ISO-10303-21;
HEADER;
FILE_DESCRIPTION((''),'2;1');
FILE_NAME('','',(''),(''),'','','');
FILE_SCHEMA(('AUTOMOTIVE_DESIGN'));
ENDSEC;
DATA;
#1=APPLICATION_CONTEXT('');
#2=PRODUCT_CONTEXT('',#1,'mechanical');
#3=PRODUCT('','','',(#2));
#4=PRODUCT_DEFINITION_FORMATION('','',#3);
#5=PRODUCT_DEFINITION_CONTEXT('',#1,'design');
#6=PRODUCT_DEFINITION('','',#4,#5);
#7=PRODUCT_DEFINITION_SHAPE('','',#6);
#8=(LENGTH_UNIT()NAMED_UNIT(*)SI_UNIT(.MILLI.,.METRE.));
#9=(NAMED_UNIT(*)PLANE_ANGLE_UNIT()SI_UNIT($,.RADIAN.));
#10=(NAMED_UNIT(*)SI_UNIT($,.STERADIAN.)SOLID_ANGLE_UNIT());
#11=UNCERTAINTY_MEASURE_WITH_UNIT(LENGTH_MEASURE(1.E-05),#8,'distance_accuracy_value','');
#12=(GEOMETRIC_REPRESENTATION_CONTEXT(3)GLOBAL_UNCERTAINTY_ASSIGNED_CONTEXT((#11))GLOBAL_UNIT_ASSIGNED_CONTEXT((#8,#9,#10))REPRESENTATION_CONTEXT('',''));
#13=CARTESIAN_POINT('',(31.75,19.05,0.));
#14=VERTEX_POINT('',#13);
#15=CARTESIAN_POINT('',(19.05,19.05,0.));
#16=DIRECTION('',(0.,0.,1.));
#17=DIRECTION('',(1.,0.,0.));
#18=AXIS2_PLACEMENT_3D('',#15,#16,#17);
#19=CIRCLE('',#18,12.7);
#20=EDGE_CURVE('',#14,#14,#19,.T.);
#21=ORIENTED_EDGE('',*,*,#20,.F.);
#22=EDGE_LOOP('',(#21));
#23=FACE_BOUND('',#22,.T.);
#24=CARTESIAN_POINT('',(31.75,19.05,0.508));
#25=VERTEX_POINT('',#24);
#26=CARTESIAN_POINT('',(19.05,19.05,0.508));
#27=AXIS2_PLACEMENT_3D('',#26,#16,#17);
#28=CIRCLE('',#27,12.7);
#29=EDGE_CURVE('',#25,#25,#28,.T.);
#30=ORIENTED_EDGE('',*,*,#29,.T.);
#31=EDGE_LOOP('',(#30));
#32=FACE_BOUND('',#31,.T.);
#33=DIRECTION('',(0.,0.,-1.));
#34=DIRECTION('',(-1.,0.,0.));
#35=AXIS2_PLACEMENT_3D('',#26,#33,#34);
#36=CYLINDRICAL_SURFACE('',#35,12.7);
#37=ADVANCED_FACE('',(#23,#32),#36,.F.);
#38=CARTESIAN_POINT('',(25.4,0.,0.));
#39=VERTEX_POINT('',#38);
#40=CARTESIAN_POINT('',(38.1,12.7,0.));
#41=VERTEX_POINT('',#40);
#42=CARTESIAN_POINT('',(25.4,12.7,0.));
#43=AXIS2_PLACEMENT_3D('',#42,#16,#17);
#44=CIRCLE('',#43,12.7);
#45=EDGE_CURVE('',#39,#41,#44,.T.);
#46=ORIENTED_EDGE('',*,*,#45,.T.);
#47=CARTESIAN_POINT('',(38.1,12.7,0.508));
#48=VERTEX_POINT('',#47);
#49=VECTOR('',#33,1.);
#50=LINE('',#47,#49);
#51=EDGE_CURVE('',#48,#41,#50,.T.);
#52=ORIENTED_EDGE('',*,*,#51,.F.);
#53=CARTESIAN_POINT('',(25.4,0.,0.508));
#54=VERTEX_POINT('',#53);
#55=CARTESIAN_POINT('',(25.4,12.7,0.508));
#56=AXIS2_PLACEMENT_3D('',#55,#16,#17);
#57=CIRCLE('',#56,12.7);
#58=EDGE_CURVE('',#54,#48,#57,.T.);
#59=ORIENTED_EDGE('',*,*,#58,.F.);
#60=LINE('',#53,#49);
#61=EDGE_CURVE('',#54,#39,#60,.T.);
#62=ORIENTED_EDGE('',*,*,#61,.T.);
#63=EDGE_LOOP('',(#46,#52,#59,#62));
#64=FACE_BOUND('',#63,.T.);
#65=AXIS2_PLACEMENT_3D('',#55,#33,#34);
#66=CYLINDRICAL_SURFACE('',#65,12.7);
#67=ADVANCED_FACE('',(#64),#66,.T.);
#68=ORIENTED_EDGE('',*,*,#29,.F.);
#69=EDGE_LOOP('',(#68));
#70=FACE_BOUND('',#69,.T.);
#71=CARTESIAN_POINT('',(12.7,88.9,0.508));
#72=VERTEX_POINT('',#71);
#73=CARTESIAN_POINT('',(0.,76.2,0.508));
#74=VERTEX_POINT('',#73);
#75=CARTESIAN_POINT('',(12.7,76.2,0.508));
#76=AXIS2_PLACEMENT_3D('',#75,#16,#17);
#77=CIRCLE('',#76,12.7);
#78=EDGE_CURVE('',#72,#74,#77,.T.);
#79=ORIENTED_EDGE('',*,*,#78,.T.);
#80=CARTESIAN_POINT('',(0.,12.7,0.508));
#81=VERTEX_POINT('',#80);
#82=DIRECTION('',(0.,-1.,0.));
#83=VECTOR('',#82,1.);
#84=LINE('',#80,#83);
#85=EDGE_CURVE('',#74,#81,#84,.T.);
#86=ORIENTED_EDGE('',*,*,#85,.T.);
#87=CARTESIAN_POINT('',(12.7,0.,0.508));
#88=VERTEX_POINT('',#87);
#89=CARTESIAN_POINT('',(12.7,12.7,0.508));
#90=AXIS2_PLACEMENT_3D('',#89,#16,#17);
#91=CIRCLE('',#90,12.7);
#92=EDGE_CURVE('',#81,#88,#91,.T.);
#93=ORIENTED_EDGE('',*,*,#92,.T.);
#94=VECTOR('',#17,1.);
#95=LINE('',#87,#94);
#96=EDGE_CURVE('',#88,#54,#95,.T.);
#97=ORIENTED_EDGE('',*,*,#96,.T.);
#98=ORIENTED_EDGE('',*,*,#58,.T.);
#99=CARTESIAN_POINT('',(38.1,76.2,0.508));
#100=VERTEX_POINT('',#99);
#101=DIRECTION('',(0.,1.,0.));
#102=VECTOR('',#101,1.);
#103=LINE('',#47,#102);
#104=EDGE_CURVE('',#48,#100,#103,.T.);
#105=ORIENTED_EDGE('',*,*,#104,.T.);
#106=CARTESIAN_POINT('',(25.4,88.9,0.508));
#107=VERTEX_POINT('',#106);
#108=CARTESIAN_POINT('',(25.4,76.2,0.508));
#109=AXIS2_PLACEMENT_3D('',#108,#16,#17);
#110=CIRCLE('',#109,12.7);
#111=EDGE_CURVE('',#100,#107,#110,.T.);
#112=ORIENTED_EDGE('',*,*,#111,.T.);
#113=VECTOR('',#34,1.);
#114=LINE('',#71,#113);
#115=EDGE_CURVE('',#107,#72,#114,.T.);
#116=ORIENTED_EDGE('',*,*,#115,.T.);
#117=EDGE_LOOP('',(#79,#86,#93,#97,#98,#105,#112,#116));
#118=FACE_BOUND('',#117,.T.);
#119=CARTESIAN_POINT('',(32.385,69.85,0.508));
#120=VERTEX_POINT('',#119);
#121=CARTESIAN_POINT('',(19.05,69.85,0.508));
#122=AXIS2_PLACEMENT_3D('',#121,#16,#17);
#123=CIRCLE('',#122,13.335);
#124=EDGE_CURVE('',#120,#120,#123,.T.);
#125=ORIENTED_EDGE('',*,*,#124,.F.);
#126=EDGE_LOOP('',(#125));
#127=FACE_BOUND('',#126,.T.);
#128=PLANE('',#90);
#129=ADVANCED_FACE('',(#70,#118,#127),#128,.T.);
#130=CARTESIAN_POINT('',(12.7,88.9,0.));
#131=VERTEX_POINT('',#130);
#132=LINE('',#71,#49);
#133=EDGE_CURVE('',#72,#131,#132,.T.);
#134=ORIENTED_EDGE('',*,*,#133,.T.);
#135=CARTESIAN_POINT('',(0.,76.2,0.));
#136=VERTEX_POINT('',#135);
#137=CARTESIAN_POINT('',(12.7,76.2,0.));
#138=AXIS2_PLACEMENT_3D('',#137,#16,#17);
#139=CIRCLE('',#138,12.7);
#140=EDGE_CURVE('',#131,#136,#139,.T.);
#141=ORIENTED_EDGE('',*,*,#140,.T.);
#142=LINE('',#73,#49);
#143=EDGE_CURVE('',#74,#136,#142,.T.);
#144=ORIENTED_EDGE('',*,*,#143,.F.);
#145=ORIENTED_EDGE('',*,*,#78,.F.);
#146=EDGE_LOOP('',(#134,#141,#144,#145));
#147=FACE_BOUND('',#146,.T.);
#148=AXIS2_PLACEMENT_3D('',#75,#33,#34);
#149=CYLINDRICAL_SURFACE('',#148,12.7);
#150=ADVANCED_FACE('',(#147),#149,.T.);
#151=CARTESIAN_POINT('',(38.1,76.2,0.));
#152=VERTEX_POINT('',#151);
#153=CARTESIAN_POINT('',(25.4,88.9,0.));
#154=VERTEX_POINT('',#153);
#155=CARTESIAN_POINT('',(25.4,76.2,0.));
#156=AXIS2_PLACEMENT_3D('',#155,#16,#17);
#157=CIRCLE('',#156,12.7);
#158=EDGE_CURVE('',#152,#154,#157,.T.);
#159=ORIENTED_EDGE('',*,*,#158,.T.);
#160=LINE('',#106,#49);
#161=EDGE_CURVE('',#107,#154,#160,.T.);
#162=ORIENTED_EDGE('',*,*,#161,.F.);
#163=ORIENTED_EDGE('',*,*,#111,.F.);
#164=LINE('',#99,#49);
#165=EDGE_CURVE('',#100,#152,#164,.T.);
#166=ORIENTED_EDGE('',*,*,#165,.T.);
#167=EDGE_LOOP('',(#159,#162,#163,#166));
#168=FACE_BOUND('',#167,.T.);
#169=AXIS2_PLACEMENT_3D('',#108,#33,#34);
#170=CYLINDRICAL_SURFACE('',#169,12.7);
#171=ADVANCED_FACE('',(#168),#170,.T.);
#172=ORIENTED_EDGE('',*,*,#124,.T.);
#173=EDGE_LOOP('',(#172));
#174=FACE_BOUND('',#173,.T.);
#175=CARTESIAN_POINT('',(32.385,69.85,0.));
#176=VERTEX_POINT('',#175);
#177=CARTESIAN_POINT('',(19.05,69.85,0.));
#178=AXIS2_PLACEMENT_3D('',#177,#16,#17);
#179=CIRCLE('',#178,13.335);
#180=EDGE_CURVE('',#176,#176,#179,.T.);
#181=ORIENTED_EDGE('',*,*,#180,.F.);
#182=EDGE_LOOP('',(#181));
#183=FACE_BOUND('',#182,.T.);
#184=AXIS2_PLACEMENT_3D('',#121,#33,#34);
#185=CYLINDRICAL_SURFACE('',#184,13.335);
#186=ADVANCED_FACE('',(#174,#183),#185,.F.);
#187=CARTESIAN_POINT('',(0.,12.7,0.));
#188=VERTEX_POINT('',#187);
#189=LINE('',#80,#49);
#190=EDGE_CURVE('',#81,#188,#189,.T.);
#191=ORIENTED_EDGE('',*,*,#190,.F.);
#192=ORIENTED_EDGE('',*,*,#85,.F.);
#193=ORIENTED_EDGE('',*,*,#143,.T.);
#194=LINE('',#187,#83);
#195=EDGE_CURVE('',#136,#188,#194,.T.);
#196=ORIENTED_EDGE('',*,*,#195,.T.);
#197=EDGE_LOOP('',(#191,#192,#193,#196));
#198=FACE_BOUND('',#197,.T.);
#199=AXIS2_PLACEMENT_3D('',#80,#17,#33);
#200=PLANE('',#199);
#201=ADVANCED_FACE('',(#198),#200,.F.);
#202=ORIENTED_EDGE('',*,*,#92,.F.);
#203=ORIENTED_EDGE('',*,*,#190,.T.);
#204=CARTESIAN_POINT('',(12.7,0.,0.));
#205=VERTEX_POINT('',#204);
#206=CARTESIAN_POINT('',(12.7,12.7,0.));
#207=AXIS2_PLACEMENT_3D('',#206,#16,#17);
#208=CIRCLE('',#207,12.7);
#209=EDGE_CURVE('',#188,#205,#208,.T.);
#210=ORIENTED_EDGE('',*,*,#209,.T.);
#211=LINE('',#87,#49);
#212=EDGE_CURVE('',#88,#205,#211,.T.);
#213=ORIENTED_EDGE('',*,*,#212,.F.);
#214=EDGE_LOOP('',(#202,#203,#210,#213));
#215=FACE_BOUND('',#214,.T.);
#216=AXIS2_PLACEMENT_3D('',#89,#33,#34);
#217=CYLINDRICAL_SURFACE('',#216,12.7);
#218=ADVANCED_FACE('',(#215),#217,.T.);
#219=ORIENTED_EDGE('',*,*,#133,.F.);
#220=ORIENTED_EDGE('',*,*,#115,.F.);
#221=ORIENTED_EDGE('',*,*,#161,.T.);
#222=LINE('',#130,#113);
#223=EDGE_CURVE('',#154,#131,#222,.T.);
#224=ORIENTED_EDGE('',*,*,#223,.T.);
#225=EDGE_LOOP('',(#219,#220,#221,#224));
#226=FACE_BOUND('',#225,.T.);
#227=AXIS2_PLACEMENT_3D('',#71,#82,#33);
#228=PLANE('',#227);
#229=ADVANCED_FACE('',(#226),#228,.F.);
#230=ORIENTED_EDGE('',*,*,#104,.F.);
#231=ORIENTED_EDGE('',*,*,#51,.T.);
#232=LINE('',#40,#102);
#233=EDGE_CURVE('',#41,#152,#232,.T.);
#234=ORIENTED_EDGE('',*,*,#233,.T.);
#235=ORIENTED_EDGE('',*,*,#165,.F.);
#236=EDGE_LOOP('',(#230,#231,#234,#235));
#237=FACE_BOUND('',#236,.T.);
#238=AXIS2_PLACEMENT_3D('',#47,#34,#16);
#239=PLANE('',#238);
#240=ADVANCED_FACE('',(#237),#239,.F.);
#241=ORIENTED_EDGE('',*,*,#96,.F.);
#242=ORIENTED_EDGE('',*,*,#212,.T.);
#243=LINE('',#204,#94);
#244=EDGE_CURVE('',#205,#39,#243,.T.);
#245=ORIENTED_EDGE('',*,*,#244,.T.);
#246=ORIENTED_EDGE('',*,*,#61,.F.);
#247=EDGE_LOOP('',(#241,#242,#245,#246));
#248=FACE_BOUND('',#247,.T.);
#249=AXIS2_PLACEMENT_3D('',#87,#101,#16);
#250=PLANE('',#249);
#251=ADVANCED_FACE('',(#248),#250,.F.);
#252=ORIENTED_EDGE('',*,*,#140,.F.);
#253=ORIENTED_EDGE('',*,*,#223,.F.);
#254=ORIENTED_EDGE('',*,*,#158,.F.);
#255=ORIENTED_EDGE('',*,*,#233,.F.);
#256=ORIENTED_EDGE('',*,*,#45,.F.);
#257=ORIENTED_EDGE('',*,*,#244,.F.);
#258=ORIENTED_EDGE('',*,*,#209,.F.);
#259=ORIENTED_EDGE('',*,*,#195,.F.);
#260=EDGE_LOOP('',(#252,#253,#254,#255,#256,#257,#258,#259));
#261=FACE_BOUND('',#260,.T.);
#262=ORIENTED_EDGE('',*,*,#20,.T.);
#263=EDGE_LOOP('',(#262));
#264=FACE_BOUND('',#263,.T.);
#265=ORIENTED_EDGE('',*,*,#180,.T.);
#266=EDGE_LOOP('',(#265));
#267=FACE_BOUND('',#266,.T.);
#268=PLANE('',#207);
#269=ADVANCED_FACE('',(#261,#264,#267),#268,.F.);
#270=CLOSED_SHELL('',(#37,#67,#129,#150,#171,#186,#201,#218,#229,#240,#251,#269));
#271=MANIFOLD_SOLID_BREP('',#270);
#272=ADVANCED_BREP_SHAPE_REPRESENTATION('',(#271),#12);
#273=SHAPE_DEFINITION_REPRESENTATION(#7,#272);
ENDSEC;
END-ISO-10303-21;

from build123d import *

# Parameters (mm, degrees)
SKETCH2_R           = 13.335
SKETCH2_R_2         = 12.7
BOSS_EXTRUDE1_DEPTH = 0.508


with BuildPart() as part:
    # Sketch2 → Boss-Extrude1 (new body)
    with BuildSketch(Plane.XY):
        with BuildLine():
            Line((12.7, 0), (25.4, 0))
            ThreePointArc((25.4, 0), (34.380256121, 3.719743879), (38.1, 12.7))
            Line((38.1, 12.7), (38.1, 76.2))
            ThreePointArc((38.1, 76.2), (34.380256121, 85.180256121), (25.4, 88.9))
            Line((25.4, 88.9), (12.7, 88.9))
            ThreePointArc((12.7, 88.9), (3.719743879, 85.180256121), (0, 76.2))
            Line((0, 76.2), (0, 12.7))
            ThreePointArc((0, 12.7), (3.719743879, 3.719743879), (12.7, 0))
        make_face()
        with Locations((19.05, 69.85)):
            Circle(SKETCH2_R, mode=Mode.SUBTRACT)
        with Locations((19.05, 19.05)):
            Circle(SKETCH2_R_2, mode=Mode.SUBTRACT)
    extrude(amount=BOSS_EXTRUDE1_DEPTH)


solid = part.part
